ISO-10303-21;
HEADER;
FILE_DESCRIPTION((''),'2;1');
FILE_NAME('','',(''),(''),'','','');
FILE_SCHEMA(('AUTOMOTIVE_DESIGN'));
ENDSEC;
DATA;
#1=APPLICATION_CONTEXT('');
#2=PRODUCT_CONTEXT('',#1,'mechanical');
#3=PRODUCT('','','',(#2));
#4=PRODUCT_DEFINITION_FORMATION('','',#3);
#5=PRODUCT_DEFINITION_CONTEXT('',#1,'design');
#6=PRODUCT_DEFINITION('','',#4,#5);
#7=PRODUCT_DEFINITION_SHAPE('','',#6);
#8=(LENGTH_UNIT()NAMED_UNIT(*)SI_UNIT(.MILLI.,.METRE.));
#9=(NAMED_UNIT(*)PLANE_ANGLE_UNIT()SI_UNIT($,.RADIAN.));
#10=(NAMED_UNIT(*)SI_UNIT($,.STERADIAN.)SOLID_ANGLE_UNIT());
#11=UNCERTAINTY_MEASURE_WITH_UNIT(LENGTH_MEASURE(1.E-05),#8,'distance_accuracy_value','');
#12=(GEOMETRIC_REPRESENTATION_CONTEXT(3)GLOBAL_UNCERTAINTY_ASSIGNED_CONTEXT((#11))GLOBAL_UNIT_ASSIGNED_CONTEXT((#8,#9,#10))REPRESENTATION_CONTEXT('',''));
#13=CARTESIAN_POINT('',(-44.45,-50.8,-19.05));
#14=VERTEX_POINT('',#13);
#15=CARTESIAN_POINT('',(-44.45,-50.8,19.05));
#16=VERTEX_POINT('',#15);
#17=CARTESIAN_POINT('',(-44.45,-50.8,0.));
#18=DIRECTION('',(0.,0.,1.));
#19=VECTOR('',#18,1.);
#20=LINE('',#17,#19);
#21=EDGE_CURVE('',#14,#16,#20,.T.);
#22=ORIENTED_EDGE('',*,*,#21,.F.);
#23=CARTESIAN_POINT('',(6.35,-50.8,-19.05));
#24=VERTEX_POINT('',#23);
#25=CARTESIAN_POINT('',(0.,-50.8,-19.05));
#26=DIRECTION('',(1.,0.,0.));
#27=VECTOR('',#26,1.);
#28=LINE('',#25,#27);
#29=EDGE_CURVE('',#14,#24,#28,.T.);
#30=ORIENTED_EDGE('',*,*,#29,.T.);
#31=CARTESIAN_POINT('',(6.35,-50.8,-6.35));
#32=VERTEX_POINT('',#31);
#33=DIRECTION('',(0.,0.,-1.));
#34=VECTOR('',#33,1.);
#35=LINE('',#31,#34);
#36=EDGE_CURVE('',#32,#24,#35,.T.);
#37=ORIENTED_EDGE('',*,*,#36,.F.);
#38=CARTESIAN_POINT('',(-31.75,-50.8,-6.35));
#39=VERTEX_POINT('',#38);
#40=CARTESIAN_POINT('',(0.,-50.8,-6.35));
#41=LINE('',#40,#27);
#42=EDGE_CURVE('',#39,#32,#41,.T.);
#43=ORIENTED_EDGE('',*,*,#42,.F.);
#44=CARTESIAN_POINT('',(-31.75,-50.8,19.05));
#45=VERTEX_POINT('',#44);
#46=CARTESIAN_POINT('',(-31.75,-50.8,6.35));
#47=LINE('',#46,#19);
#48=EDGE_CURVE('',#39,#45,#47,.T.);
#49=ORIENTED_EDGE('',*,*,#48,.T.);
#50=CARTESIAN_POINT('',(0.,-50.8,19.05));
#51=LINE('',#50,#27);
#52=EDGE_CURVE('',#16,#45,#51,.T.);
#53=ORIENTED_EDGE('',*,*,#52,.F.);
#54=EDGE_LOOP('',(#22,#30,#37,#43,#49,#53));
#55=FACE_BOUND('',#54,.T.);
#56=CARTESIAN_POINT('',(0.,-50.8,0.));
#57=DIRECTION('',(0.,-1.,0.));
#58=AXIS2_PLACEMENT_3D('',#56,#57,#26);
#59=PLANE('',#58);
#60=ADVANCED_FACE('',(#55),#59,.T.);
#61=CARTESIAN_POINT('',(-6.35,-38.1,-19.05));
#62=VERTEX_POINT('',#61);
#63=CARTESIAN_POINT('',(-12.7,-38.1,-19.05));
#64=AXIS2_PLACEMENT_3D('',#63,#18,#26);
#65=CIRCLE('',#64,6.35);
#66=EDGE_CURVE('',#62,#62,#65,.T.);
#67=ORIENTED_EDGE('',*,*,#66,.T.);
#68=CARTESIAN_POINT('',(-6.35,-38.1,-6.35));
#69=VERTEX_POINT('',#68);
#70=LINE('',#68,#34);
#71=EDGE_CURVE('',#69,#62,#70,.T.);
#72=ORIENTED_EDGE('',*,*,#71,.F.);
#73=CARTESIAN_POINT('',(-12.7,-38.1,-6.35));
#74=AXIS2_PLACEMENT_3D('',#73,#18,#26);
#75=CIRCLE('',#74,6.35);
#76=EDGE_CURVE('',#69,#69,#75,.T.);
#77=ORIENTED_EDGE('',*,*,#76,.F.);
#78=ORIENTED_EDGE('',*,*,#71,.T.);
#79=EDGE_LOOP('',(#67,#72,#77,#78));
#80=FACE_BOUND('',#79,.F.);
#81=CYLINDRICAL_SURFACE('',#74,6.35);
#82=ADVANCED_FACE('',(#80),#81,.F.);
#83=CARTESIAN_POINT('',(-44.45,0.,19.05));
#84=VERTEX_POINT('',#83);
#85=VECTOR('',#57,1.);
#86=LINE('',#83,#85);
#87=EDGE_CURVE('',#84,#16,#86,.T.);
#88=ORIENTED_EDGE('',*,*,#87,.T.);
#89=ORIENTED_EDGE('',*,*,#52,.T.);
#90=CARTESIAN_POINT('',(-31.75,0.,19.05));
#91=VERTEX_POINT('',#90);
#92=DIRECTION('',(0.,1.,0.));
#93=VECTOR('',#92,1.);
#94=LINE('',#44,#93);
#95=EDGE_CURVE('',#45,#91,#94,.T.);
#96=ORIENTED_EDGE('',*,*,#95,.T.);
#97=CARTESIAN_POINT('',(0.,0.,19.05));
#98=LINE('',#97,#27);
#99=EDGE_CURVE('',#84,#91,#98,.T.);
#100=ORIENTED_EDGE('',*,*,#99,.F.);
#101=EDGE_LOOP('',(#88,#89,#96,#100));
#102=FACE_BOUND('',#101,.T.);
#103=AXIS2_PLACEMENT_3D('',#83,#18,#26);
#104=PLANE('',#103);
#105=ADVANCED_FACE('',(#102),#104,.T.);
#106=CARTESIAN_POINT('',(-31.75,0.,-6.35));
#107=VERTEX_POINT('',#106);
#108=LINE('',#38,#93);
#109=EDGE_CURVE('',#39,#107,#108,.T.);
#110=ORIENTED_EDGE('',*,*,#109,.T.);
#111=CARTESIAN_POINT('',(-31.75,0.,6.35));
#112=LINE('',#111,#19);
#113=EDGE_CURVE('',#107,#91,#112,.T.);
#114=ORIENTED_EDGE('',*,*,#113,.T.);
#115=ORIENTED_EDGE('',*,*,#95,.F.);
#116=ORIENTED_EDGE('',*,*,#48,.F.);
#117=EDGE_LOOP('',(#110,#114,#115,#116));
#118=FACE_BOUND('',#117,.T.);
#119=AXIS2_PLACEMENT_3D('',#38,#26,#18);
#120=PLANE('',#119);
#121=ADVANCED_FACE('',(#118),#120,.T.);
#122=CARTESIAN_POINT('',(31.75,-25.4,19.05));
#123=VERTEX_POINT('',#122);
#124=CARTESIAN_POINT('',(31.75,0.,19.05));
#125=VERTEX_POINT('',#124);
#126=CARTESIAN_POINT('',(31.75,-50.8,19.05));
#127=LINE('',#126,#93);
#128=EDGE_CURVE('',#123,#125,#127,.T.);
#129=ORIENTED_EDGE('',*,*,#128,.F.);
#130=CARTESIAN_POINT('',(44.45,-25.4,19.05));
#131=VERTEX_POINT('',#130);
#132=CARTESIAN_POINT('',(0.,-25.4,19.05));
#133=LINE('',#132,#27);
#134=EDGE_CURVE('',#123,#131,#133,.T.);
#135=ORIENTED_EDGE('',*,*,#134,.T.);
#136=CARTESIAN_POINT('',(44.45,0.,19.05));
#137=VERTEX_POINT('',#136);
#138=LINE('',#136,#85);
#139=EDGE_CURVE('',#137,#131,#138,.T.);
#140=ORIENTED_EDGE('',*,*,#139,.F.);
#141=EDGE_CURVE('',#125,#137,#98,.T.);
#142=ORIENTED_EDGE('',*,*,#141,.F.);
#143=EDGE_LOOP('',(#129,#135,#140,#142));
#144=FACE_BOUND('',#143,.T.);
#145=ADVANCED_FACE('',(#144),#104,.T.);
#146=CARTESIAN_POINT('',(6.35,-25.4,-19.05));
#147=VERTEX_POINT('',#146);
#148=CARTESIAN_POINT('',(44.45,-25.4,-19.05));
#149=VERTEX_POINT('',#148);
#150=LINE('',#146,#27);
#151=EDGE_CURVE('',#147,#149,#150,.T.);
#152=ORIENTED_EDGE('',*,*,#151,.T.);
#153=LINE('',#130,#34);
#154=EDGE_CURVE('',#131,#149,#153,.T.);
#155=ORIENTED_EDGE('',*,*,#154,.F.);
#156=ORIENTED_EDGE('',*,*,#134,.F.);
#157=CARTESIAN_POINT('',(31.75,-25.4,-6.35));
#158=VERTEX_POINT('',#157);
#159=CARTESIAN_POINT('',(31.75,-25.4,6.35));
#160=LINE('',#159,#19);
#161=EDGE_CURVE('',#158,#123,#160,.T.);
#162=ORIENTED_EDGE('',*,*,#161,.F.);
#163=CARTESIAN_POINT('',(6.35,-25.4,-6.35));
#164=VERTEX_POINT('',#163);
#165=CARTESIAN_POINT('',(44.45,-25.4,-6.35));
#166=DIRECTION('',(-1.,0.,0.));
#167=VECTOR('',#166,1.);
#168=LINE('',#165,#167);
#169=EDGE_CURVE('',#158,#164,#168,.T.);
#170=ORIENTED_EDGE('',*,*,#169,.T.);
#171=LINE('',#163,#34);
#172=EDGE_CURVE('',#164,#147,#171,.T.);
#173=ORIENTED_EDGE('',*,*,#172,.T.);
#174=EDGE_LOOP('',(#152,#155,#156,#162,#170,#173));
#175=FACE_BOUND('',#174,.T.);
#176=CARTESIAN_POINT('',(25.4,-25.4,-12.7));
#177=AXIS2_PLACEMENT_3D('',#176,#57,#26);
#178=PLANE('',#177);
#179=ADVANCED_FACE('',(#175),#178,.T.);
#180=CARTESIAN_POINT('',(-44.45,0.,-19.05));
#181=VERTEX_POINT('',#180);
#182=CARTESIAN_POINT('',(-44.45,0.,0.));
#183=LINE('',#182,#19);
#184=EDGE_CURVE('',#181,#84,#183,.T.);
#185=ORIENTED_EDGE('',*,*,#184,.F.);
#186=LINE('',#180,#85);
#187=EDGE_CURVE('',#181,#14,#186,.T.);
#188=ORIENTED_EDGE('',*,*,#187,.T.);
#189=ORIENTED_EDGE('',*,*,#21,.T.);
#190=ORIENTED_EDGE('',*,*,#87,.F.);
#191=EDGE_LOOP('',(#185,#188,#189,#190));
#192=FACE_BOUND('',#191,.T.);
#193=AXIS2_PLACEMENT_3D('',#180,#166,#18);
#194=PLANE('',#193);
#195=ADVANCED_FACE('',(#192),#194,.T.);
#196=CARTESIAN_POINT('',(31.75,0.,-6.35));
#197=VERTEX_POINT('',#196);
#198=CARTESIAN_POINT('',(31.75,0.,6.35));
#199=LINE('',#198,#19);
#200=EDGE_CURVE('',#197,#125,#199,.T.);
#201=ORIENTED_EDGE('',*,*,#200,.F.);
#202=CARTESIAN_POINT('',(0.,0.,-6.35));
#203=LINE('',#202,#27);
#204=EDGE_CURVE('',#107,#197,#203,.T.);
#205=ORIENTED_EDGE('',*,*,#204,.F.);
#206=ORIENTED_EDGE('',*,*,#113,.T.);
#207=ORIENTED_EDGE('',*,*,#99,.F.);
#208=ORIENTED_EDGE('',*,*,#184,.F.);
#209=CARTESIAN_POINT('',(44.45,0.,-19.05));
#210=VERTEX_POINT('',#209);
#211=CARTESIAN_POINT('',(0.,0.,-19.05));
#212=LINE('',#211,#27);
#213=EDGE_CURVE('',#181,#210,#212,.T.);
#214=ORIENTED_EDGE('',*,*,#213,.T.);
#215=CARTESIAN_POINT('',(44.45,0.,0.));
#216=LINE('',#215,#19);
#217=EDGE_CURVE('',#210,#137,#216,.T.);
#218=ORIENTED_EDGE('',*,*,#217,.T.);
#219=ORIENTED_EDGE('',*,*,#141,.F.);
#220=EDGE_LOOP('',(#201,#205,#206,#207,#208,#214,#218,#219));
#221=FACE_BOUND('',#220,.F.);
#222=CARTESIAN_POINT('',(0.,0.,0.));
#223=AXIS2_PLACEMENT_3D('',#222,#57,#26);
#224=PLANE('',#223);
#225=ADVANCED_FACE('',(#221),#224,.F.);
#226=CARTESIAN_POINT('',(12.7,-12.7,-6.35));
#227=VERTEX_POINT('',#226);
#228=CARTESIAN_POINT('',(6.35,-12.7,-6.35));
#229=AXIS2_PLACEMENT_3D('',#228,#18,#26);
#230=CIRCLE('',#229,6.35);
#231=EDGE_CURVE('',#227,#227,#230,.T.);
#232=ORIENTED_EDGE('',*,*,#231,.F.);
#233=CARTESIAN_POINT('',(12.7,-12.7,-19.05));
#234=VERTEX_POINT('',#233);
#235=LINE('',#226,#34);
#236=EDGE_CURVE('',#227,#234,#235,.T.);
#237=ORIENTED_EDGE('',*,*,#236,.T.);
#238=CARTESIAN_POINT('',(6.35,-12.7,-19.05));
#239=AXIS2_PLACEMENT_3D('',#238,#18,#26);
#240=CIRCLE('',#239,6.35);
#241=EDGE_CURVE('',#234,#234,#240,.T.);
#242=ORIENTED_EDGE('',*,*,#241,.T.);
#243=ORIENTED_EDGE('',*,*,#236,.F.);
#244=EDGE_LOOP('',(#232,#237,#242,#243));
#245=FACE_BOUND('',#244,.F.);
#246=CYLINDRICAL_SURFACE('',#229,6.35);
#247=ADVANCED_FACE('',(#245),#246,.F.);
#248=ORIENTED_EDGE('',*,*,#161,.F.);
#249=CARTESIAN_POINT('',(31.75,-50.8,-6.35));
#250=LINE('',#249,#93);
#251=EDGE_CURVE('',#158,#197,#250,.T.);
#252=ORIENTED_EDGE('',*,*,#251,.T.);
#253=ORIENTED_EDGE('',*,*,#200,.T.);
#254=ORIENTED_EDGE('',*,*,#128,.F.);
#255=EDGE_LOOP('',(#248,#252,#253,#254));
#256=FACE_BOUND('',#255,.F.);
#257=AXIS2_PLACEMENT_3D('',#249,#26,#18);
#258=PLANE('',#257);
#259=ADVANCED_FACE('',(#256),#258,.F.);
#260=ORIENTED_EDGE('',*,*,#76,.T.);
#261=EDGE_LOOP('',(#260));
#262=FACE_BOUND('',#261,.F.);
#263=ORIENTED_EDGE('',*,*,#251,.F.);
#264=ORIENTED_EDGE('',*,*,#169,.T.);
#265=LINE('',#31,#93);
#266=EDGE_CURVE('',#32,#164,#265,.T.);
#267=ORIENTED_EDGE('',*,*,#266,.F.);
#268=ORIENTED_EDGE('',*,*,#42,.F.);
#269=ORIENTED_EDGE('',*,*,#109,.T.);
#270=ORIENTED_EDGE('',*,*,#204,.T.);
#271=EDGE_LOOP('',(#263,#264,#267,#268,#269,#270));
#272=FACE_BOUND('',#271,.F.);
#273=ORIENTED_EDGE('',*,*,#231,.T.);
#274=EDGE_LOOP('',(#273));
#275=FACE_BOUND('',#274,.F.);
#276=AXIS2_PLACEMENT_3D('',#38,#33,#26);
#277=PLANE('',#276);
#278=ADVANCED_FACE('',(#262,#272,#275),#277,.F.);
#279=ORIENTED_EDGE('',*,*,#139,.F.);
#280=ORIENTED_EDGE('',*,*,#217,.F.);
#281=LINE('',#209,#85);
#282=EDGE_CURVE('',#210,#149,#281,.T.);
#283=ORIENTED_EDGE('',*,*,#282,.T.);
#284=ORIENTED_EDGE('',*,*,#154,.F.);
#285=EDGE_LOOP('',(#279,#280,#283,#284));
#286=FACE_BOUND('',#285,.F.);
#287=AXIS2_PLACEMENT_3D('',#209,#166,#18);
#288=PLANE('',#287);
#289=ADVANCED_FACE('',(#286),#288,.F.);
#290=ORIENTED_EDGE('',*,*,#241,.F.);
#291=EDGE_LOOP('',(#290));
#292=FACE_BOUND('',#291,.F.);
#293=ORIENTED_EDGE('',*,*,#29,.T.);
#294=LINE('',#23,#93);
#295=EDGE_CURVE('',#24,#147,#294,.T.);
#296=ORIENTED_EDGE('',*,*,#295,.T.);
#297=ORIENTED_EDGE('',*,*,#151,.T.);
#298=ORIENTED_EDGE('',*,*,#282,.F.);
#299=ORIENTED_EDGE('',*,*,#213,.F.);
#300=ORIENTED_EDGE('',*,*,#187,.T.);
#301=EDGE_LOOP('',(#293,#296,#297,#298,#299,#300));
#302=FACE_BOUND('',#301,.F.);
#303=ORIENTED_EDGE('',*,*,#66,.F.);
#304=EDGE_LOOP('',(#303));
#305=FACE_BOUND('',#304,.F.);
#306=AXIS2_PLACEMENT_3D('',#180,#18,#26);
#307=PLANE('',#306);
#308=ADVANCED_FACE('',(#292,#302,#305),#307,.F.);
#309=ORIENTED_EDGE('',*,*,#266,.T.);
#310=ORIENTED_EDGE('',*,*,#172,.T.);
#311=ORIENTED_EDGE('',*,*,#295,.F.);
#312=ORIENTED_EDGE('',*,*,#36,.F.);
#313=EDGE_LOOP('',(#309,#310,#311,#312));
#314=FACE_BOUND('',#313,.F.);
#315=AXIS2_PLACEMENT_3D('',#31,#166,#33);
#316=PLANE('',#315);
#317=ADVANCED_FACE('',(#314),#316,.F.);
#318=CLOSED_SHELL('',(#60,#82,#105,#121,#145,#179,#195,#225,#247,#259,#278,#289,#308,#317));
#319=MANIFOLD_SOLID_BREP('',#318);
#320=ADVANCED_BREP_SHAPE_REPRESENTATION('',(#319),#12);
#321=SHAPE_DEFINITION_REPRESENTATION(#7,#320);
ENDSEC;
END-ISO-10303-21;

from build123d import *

# Parameters (mm, degrees)
F0_W     = 88.9
F0_H     = 38.1
F1_DEPTH = 50.8
F2_W     = 63.5
F2_H     = 25.4
F3_DEPTH = 50.8
F5_DEPTH = 25.4
F6_DEPTH = 25.4
F7_R     = 6.35
F8_DEPTH = 50.8
F9_DEPTH = 50.8


with BuildPart() as f1:
    # F0 (on Front) → F1 (new body)
    with BuildSketch(Plane.XZ):
        Rectangle(F0_W, F0_H)
    extrude(amount=F1_DEPTH)

    # F2 (on face) → F3 (cut)
    with BuildSketch(Plane.XZ.offset(50.8)):
        with Locations((0, 6.35)):
            Rectangle(F2_W, F2_H)
    extrude(amount=-F3_DEPTH, mode=Mode.SUBTRACT)

    # F4 (on face) → F5 (cut)
    with BuildSketch(Plane.XZ.offset(50.8)):
        Polygon((6.35, -19.05), (44.45, -19.05), (44.45, -6.35), (31.75, -6.35), (6.35, -6.35), align=None)
    extrude(amount=-F5_DEPTH, mode=Mode.SUBTRACT)

    # F6 (cut): a face of the model
    f6_faces = [f1.faces().sort_by_distance(p)[0] for p in [
        (38.1, -50.8, 6.35),
    ]]
    extrude(f6_faces, amount=-F6_DEPTH, mode=Mode.SUBTRACT)

    # F7 (on face) → F8 (cut)
    with BuildSketch(Plane.XY.offset(-6.35)):
        with Locations((6.35, -12.7)):
            Circle(F7_R)
    extrude(amount=-F8_DEPTH, mode=Mode.SUBTRACT)

    # F7 (on face) → F9 (cut)
    with BuildSketch(Plane.XY.offset(-6.35)):
        with Locations((-12.7, -38.1)):
            Circle(F7_R)
    extrude(amount=-F9_DEPTH, mode=Mode.SUBTRACT)


solid = f1.part
